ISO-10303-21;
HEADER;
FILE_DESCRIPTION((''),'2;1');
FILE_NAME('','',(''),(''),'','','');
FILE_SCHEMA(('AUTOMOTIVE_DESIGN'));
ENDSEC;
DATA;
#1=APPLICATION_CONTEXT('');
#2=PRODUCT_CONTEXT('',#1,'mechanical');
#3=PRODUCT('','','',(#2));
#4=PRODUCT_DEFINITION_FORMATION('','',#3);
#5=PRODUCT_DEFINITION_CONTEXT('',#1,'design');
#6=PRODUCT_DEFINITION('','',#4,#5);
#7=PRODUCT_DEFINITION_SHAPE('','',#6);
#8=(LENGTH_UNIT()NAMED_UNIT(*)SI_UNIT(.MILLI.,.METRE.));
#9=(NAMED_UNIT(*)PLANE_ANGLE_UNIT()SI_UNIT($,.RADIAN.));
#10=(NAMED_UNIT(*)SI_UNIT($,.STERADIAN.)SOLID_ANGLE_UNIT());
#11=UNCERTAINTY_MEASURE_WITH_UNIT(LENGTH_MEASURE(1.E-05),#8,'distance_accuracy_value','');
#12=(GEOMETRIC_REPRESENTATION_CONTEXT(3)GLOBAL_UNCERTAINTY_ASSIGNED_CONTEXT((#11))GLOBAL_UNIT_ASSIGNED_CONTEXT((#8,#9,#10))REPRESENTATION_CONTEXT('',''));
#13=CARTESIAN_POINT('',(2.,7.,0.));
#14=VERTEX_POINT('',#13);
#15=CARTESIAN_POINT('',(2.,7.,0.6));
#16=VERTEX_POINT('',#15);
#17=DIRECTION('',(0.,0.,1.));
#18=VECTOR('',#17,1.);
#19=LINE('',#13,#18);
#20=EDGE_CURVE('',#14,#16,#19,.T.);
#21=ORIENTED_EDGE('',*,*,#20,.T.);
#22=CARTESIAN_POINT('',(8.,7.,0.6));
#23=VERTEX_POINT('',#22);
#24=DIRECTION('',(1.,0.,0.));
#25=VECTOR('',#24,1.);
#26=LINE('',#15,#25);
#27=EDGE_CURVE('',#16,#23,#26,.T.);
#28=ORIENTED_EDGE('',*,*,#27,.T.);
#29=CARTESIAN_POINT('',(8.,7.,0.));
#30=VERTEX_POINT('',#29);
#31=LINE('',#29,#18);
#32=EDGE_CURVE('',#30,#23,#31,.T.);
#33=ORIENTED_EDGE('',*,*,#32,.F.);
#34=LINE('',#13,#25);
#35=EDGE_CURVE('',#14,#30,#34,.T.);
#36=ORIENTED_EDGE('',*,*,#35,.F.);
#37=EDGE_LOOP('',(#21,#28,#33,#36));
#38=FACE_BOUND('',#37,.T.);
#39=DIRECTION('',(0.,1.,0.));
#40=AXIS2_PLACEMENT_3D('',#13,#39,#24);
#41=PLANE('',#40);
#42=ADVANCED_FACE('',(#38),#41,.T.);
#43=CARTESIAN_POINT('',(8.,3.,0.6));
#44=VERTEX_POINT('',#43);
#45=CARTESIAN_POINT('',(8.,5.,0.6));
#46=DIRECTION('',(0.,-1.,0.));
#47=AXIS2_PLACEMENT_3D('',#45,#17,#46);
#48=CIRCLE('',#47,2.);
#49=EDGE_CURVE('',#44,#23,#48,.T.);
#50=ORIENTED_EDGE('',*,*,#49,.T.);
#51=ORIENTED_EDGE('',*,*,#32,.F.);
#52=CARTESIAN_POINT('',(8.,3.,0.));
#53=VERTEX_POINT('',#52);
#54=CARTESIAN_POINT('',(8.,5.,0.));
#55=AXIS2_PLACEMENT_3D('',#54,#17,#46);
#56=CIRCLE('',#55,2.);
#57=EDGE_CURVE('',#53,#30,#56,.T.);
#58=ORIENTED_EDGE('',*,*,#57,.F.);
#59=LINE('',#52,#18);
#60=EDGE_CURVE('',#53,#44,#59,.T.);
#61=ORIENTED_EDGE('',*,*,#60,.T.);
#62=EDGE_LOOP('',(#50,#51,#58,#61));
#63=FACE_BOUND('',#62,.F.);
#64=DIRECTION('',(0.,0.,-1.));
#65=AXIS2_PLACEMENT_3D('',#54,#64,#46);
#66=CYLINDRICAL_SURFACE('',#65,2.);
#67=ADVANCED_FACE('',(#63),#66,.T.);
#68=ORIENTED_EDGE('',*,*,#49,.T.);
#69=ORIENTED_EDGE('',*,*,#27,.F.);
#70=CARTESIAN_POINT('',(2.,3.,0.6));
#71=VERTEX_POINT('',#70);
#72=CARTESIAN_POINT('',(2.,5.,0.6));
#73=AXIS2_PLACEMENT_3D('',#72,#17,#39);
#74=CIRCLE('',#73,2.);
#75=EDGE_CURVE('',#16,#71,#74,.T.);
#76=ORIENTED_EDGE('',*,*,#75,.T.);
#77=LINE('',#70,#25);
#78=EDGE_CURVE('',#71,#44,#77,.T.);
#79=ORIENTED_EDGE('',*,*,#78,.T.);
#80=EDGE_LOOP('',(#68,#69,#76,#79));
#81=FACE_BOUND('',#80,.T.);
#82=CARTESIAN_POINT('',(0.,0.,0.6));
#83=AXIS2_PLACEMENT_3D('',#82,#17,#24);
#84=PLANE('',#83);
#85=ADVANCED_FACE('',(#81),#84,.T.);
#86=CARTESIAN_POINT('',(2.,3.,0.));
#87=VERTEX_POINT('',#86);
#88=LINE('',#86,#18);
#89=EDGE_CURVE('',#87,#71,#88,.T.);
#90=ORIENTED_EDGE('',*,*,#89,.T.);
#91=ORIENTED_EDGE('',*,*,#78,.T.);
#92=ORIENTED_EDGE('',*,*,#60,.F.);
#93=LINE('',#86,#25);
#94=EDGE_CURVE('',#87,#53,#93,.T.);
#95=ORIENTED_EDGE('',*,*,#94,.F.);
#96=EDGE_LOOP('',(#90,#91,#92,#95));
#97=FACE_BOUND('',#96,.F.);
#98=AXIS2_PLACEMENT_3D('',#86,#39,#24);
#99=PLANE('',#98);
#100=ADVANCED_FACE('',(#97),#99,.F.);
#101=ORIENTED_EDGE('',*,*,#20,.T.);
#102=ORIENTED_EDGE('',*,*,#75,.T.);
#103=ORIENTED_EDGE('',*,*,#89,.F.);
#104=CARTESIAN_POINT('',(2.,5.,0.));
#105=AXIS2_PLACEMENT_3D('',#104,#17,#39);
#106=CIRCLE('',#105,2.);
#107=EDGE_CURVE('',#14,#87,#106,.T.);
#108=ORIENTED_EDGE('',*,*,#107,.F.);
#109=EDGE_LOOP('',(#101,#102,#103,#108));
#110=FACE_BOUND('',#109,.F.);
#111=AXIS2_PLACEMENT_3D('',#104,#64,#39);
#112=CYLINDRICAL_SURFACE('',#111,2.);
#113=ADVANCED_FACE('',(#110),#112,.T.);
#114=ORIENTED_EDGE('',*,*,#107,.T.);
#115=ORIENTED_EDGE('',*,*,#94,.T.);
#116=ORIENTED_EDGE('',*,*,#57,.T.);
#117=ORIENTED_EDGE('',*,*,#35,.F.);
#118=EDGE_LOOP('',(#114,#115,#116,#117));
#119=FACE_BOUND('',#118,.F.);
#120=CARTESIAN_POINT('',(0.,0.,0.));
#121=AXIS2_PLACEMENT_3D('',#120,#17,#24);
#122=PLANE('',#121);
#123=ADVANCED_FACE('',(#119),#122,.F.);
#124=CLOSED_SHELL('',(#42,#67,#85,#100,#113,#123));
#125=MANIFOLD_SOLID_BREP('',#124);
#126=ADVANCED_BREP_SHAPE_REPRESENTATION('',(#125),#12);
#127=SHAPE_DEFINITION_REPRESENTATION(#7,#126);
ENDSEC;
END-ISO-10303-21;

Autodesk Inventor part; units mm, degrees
ref_plane "YZ Plane" through (0, 0, 0) normal (1, 0, 0) x (0, 1, 0)
ref_plane "XZ Plane" through (0, 0, 0) normal (0, 1, 0) x (-1, 0, 0)
ref_plane "XY Plane" through (0, 0, 0) normal (0, 0, 1) x (1, 0, 0)
sketch "Sketch1" plane through (0, 0, 0) normal (0, 0, 1) x (1, 0, 0)
  arc A0 (2, 7) -> (2, 3) centre (2, 5) ccw
  line L0 (2, 3) -> (8, 3)
  arc A1 (8, 3) -> (8, 7) centre (8, 5) ccw
  line L1 (2, 7) -> (8, 7)
extrude "Extrusion1" add sketch "Sketch1" along normal blind 0.6
properties part number "test_internal_holes_cad_model"
